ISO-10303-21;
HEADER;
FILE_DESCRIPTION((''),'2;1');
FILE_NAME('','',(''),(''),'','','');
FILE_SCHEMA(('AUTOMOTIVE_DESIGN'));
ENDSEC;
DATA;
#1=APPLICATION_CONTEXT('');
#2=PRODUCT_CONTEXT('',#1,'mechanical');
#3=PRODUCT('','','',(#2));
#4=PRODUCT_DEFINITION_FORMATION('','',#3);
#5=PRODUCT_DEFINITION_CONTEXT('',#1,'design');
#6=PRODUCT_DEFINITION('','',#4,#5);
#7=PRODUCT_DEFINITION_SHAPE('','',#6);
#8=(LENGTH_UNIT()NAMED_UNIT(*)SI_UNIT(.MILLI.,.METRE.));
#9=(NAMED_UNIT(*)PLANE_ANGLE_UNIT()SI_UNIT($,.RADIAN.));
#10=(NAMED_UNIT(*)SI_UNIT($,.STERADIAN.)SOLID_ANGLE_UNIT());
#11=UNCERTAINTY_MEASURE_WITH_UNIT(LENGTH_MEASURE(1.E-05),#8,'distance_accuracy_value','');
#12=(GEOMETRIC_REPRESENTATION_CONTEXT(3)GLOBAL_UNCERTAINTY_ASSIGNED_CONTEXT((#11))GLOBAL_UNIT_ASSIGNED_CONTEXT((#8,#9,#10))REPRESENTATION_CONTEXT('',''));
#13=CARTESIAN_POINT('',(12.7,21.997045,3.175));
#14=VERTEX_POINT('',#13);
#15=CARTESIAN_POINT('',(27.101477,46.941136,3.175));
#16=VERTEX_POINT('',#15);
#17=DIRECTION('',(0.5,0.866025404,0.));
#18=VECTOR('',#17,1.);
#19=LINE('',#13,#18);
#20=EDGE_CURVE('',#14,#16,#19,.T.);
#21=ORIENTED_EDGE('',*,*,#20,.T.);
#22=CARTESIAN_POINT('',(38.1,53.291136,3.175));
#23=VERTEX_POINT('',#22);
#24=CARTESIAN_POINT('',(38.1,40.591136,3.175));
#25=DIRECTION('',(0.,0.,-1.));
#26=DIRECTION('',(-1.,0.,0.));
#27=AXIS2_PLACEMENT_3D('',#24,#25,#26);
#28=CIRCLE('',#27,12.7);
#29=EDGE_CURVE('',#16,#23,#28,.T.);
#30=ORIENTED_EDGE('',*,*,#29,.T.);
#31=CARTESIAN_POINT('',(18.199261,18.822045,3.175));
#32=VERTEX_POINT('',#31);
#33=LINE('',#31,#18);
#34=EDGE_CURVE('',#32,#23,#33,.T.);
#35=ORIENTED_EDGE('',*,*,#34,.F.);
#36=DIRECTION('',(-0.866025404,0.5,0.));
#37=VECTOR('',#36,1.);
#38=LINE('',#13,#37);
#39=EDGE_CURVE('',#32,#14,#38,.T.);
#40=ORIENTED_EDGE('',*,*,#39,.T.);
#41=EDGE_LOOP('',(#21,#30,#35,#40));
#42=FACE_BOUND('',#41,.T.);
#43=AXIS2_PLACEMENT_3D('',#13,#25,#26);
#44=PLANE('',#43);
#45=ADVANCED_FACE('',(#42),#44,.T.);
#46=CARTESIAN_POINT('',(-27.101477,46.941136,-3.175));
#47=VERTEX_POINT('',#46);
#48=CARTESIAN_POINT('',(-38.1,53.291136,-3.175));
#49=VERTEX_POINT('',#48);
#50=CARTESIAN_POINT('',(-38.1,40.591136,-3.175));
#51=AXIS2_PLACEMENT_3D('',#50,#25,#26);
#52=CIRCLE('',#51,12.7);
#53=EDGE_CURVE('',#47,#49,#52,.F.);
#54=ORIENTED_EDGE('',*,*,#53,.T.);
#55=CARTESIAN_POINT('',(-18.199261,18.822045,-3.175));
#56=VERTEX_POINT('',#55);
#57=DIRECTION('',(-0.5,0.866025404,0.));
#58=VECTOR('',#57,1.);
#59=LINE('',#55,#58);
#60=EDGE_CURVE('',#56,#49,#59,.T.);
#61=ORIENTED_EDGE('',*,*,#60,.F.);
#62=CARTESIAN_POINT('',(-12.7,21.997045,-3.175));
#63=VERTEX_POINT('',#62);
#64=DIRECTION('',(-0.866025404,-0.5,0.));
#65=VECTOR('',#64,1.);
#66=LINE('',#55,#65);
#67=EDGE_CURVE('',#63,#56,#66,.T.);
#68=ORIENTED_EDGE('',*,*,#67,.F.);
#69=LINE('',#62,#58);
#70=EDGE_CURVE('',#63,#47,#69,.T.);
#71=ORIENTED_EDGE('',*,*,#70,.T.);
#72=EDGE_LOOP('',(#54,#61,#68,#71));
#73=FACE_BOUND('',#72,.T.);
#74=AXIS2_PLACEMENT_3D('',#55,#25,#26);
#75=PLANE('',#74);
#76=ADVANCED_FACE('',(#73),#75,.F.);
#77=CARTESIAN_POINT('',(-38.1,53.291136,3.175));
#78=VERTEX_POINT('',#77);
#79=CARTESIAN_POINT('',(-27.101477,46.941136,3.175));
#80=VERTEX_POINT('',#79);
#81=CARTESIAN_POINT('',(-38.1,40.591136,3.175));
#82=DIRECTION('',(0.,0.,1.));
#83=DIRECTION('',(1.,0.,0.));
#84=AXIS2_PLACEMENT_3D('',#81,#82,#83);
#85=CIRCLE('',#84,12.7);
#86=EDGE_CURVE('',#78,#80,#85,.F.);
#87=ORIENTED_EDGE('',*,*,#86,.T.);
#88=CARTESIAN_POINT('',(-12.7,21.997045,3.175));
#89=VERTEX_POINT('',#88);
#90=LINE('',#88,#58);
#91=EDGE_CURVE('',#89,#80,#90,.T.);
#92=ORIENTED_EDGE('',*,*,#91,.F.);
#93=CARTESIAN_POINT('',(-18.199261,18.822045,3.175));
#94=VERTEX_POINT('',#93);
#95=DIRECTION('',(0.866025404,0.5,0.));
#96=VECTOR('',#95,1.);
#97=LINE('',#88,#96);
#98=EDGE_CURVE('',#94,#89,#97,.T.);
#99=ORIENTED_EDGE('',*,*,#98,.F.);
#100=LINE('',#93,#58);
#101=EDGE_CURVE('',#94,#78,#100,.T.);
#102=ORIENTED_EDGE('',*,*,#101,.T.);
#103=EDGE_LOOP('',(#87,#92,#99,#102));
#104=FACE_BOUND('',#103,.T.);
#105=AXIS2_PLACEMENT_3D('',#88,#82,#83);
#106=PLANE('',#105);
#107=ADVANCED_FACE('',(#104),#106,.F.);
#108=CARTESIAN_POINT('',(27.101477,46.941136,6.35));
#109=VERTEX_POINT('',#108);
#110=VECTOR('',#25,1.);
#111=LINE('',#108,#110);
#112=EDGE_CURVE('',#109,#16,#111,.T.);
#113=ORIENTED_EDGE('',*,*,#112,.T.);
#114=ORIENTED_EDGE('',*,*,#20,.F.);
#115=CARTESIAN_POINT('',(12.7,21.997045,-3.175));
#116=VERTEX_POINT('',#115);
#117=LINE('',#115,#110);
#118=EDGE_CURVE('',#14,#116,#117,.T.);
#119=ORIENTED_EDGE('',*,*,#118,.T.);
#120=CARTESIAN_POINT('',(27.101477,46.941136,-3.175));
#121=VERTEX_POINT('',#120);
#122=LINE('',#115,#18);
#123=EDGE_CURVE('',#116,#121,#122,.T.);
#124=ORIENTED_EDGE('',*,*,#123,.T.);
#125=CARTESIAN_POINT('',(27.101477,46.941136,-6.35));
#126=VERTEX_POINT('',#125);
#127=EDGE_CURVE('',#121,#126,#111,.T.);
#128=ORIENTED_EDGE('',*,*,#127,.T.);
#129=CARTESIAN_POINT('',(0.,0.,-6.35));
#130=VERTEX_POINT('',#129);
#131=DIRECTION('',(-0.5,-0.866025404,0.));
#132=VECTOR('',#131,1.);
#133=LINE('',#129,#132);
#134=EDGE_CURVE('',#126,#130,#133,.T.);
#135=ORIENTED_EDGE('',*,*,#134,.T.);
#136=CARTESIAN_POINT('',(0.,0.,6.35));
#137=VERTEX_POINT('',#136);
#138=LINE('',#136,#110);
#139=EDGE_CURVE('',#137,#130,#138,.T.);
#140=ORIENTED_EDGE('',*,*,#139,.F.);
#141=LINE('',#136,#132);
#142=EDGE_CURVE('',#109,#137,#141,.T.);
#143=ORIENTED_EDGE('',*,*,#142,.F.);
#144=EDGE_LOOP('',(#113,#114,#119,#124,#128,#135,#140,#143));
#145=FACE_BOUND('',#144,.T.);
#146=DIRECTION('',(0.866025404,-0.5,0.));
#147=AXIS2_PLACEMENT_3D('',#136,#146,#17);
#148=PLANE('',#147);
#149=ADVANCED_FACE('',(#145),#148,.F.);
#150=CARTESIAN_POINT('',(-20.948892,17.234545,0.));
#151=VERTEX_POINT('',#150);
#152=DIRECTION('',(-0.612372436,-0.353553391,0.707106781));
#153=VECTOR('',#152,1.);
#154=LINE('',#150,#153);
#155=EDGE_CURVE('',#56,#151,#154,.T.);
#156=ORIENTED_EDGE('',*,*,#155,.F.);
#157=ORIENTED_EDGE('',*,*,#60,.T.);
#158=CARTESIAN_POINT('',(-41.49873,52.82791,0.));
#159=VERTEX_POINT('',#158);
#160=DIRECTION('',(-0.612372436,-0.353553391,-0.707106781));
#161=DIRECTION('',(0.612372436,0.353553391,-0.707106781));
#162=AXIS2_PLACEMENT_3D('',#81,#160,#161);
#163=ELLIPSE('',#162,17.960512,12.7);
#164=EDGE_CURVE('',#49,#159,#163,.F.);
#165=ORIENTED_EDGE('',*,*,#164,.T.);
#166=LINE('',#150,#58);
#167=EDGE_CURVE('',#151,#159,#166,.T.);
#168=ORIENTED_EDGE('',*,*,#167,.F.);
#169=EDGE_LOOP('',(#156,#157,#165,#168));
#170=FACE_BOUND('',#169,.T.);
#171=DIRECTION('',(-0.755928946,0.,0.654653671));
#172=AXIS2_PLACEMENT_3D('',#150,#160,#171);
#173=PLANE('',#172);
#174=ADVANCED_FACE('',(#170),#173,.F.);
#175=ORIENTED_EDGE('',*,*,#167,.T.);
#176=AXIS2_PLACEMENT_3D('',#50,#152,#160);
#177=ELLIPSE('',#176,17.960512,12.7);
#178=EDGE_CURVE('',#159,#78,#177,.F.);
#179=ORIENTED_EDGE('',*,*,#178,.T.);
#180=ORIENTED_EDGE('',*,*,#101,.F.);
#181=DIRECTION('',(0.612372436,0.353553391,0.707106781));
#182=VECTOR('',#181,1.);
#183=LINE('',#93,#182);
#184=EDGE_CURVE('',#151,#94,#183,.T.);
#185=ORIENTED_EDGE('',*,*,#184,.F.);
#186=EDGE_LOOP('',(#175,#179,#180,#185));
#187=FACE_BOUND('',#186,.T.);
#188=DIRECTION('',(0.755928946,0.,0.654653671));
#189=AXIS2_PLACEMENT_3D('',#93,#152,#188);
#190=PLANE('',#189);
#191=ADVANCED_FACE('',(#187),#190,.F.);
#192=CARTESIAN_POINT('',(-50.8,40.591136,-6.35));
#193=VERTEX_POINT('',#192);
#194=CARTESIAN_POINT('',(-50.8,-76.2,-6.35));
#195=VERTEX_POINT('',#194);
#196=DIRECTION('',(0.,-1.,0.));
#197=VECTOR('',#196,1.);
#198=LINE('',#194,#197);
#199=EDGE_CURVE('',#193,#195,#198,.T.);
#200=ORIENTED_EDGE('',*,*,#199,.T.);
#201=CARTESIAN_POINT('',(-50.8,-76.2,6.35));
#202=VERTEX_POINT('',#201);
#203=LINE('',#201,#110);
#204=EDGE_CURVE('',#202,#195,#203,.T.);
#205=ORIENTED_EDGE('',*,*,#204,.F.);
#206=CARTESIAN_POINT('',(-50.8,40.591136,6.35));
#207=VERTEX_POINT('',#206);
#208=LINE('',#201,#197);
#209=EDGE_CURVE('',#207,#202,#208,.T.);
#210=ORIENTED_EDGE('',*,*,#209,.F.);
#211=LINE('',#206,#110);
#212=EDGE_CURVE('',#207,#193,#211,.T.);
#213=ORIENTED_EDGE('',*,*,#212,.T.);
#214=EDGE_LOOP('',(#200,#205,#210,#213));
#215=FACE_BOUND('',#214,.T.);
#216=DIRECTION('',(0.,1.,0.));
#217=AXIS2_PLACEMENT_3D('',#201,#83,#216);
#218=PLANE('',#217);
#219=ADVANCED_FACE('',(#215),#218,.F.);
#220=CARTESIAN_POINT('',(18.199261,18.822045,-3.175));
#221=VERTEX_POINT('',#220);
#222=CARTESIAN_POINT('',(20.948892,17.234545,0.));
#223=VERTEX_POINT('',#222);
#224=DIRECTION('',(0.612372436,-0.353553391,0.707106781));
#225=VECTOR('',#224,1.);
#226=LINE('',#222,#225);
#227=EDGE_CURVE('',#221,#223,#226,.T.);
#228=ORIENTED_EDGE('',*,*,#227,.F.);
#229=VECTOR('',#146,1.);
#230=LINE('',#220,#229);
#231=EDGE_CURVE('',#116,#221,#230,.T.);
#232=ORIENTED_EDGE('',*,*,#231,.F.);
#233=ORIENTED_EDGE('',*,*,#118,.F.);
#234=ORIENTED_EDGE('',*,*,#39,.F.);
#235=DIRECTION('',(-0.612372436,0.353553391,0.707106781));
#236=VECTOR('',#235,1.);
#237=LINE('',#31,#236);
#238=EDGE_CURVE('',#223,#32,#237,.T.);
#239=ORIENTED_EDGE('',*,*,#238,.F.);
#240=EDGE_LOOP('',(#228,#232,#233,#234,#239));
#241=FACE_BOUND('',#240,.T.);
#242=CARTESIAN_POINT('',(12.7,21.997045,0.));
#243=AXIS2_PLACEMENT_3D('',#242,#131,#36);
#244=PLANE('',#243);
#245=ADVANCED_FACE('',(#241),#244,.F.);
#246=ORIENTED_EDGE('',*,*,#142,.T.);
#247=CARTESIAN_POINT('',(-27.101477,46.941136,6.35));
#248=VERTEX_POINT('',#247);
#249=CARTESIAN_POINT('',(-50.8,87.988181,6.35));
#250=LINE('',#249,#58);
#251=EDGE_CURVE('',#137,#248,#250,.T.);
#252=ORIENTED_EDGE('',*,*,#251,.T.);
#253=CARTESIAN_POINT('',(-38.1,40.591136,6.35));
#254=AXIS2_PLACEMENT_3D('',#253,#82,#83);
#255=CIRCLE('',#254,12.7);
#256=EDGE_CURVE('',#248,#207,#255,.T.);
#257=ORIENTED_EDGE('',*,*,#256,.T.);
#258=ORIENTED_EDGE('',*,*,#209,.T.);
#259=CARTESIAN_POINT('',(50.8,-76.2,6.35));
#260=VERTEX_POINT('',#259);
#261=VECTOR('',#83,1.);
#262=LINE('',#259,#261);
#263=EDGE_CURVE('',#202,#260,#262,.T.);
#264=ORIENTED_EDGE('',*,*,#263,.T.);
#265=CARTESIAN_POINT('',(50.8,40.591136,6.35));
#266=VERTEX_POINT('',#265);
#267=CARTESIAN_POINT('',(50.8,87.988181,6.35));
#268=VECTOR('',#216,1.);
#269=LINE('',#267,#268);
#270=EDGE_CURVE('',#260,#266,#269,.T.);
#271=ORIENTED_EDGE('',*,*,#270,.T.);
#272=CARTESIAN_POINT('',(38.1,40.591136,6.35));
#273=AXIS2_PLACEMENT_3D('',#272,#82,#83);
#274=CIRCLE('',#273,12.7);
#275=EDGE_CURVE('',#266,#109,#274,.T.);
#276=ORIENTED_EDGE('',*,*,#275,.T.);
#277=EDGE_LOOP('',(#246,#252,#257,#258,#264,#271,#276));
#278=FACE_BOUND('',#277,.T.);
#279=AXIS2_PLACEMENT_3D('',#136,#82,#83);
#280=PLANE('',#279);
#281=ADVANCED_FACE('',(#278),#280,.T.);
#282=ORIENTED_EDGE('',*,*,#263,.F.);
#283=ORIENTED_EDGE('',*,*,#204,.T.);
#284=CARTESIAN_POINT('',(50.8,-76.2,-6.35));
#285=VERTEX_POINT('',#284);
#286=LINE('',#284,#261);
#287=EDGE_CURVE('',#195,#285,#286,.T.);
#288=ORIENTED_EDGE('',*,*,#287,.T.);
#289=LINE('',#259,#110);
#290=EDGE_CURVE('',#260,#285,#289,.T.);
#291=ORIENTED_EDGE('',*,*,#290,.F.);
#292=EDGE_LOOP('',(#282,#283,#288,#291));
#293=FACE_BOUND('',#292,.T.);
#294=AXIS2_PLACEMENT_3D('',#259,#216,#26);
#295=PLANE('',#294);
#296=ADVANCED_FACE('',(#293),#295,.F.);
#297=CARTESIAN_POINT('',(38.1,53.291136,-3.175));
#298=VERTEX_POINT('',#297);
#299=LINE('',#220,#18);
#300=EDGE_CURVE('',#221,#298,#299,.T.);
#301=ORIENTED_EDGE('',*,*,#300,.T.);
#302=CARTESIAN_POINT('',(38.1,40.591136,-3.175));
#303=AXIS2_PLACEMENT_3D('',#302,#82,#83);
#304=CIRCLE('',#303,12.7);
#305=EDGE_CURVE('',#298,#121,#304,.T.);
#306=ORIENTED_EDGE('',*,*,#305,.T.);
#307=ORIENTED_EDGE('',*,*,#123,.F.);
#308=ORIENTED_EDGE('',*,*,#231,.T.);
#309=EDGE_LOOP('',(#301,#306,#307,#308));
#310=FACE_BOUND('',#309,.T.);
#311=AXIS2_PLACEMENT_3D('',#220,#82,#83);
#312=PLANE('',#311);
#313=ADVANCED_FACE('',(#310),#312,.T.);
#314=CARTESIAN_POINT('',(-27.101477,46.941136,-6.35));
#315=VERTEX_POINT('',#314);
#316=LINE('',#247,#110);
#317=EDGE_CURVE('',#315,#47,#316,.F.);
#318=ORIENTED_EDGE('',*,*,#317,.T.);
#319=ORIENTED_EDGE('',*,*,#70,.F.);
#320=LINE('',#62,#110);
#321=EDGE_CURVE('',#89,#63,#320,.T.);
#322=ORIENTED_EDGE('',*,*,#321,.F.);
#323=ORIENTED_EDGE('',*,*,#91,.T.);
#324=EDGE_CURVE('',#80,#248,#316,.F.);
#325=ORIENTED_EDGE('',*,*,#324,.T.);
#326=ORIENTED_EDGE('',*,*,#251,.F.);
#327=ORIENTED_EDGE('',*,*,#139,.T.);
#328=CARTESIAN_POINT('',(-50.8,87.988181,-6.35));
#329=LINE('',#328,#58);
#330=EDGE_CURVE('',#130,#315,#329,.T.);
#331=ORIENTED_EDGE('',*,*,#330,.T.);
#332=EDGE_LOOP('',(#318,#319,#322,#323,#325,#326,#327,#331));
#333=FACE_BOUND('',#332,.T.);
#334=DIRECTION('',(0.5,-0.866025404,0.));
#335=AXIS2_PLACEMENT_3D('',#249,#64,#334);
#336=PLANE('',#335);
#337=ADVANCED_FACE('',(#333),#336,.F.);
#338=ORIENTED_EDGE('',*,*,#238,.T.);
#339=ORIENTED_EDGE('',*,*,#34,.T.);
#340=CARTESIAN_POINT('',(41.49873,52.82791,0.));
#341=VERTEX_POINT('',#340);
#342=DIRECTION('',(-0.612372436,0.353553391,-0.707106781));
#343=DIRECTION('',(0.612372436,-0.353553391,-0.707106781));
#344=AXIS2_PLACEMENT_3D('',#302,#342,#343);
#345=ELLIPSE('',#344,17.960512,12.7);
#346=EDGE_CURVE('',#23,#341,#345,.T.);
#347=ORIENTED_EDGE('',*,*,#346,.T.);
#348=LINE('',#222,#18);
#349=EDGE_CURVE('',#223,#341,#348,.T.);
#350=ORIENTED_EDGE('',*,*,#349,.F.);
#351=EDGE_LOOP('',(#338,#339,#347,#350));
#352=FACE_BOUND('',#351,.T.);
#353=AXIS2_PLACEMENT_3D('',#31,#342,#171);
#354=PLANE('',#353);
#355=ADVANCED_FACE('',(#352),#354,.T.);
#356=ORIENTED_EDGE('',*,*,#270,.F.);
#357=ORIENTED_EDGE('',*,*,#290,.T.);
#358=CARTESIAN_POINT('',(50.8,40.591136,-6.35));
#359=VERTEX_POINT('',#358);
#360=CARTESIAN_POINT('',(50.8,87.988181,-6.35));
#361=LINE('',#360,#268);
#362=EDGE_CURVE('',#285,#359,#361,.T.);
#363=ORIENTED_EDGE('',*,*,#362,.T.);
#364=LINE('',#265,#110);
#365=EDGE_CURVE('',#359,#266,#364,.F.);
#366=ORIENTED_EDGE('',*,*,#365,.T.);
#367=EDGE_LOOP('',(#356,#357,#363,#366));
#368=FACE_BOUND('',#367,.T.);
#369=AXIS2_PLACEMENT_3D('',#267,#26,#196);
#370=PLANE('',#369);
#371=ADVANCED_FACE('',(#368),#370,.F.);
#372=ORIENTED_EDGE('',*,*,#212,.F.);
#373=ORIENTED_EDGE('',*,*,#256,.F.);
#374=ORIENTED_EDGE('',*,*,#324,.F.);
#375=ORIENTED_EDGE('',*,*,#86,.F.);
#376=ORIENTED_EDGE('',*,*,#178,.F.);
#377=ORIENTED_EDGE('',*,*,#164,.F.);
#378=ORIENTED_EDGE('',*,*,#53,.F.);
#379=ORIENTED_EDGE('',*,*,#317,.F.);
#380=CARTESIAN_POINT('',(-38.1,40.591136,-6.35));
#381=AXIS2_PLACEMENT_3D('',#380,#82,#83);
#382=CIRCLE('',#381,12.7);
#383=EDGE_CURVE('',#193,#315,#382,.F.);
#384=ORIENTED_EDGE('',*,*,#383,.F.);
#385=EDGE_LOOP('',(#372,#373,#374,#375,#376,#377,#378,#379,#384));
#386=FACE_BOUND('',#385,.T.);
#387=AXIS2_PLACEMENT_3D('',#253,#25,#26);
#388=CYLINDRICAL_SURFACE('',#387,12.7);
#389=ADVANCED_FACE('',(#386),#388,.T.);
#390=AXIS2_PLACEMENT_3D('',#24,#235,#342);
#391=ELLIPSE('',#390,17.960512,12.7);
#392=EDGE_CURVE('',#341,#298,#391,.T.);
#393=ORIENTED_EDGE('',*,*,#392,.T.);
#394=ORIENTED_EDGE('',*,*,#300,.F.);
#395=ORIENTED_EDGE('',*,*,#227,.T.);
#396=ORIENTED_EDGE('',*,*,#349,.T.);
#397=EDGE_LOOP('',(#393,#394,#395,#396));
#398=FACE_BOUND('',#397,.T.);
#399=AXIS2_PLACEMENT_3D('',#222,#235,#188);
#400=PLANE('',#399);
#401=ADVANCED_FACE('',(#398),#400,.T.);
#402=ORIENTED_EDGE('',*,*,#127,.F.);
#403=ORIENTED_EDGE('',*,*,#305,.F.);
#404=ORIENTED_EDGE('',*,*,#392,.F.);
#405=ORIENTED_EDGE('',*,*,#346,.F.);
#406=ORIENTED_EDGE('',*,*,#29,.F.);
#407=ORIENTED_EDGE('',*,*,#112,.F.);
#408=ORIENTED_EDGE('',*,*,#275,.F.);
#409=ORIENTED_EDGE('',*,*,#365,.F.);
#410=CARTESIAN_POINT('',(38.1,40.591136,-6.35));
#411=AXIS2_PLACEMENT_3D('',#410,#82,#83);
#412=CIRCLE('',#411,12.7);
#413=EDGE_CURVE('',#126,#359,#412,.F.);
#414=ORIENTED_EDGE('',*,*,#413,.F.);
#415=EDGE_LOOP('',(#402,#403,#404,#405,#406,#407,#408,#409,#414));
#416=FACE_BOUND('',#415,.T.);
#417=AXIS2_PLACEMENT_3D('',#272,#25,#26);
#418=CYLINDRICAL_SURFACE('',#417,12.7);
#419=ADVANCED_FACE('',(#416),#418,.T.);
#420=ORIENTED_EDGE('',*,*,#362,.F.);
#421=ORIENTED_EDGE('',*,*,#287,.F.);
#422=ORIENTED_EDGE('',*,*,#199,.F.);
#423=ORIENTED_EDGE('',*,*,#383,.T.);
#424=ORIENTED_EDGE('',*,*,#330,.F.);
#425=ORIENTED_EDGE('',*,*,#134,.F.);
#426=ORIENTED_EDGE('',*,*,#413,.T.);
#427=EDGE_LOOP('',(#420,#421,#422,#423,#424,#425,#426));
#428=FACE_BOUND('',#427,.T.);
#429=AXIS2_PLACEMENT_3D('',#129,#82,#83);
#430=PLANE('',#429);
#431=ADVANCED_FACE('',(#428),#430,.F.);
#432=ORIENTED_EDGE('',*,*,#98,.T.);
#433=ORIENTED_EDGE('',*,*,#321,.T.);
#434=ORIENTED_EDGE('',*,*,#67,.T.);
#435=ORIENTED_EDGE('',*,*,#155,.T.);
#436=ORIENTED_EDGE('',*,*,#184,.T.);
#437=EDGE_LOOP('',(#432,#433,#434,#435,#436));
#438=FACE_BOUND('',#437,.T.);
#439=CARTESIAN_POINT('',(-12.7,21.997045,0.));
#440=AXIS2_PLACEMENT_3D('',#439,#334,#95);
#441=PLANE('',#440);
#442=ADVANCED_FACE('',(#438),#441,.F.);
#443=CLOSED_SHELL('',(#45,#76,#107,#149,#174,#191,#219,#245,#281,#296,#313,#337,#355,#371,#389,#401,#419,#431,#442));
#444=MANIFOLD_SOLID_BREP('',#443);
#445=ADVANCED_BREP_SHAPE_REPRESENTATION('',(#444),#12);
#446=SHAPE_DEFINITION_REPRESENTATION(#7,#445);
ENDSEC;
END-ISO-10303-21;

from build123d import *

# Parameters (mm, degrees)
BOSS_EXTRUDE1_DEPTH = 6.35
CUT_EXTRUDE1_DEPTH  = 76.2
FILLET1_R           = 12.700000000000001


with BuildPart() as part:
    # Sketch1 → Boss-Extrude1 (new, symmetric)
    with BuildSketch(Plane.XY):
        Polygon((-50.8, 87.98818102450007), (0, 0), (50.79999999999998, 87.98818102450008), (50.800000000000004, -76.19999999999999), (-50.79999999999999, -76.20000000000002), align=None)
    extrude(amount=BOSS_EXTRUDE1_DEPTH, both=True)

    # Sketch2 → Cut-Extrude1 (cut)
    with BuildSketch(Plane(origin=(-50.80000000000058, 87.98818102449974, 0), x_dir=(0, 0, -1), z_dir=(-0.500000000000001, 0.866025403784438, 0))):
        Polygon((3.175000000000003, 0), (-3.1749999999999967, 0), (-3.1749999999999967, 6.35), (3.65e-15, 9.524999999999999), (3.1749999999999994, 6.35), align=None)
    cut_extrude1 = extrude(amount=-CUT_EXTRUDE1_DEPTH, mode=Mode.SUBTRACT)

    # Mirror5: Cut-Extrude1 across plane
    add(cut_extrude1.mirror(Plane(origin=(0, 0, 0), x_dir=(0, 0, 1), z_dir=(1, 0, 0))), mode=Mode.SUBTRACT)

    # Fillet1
    fillet1_edges = [part.edges().sort_by_distance(p)[0] for p in [
        (50.79999999999998, 87.98818102450008, 4.762499999999998),
        (-50.8, 87.98818102450007, -4.762500000000001),
    ]]
    fillet(fillet1_edges, radius=FILLET1_R)


solid = part.part
